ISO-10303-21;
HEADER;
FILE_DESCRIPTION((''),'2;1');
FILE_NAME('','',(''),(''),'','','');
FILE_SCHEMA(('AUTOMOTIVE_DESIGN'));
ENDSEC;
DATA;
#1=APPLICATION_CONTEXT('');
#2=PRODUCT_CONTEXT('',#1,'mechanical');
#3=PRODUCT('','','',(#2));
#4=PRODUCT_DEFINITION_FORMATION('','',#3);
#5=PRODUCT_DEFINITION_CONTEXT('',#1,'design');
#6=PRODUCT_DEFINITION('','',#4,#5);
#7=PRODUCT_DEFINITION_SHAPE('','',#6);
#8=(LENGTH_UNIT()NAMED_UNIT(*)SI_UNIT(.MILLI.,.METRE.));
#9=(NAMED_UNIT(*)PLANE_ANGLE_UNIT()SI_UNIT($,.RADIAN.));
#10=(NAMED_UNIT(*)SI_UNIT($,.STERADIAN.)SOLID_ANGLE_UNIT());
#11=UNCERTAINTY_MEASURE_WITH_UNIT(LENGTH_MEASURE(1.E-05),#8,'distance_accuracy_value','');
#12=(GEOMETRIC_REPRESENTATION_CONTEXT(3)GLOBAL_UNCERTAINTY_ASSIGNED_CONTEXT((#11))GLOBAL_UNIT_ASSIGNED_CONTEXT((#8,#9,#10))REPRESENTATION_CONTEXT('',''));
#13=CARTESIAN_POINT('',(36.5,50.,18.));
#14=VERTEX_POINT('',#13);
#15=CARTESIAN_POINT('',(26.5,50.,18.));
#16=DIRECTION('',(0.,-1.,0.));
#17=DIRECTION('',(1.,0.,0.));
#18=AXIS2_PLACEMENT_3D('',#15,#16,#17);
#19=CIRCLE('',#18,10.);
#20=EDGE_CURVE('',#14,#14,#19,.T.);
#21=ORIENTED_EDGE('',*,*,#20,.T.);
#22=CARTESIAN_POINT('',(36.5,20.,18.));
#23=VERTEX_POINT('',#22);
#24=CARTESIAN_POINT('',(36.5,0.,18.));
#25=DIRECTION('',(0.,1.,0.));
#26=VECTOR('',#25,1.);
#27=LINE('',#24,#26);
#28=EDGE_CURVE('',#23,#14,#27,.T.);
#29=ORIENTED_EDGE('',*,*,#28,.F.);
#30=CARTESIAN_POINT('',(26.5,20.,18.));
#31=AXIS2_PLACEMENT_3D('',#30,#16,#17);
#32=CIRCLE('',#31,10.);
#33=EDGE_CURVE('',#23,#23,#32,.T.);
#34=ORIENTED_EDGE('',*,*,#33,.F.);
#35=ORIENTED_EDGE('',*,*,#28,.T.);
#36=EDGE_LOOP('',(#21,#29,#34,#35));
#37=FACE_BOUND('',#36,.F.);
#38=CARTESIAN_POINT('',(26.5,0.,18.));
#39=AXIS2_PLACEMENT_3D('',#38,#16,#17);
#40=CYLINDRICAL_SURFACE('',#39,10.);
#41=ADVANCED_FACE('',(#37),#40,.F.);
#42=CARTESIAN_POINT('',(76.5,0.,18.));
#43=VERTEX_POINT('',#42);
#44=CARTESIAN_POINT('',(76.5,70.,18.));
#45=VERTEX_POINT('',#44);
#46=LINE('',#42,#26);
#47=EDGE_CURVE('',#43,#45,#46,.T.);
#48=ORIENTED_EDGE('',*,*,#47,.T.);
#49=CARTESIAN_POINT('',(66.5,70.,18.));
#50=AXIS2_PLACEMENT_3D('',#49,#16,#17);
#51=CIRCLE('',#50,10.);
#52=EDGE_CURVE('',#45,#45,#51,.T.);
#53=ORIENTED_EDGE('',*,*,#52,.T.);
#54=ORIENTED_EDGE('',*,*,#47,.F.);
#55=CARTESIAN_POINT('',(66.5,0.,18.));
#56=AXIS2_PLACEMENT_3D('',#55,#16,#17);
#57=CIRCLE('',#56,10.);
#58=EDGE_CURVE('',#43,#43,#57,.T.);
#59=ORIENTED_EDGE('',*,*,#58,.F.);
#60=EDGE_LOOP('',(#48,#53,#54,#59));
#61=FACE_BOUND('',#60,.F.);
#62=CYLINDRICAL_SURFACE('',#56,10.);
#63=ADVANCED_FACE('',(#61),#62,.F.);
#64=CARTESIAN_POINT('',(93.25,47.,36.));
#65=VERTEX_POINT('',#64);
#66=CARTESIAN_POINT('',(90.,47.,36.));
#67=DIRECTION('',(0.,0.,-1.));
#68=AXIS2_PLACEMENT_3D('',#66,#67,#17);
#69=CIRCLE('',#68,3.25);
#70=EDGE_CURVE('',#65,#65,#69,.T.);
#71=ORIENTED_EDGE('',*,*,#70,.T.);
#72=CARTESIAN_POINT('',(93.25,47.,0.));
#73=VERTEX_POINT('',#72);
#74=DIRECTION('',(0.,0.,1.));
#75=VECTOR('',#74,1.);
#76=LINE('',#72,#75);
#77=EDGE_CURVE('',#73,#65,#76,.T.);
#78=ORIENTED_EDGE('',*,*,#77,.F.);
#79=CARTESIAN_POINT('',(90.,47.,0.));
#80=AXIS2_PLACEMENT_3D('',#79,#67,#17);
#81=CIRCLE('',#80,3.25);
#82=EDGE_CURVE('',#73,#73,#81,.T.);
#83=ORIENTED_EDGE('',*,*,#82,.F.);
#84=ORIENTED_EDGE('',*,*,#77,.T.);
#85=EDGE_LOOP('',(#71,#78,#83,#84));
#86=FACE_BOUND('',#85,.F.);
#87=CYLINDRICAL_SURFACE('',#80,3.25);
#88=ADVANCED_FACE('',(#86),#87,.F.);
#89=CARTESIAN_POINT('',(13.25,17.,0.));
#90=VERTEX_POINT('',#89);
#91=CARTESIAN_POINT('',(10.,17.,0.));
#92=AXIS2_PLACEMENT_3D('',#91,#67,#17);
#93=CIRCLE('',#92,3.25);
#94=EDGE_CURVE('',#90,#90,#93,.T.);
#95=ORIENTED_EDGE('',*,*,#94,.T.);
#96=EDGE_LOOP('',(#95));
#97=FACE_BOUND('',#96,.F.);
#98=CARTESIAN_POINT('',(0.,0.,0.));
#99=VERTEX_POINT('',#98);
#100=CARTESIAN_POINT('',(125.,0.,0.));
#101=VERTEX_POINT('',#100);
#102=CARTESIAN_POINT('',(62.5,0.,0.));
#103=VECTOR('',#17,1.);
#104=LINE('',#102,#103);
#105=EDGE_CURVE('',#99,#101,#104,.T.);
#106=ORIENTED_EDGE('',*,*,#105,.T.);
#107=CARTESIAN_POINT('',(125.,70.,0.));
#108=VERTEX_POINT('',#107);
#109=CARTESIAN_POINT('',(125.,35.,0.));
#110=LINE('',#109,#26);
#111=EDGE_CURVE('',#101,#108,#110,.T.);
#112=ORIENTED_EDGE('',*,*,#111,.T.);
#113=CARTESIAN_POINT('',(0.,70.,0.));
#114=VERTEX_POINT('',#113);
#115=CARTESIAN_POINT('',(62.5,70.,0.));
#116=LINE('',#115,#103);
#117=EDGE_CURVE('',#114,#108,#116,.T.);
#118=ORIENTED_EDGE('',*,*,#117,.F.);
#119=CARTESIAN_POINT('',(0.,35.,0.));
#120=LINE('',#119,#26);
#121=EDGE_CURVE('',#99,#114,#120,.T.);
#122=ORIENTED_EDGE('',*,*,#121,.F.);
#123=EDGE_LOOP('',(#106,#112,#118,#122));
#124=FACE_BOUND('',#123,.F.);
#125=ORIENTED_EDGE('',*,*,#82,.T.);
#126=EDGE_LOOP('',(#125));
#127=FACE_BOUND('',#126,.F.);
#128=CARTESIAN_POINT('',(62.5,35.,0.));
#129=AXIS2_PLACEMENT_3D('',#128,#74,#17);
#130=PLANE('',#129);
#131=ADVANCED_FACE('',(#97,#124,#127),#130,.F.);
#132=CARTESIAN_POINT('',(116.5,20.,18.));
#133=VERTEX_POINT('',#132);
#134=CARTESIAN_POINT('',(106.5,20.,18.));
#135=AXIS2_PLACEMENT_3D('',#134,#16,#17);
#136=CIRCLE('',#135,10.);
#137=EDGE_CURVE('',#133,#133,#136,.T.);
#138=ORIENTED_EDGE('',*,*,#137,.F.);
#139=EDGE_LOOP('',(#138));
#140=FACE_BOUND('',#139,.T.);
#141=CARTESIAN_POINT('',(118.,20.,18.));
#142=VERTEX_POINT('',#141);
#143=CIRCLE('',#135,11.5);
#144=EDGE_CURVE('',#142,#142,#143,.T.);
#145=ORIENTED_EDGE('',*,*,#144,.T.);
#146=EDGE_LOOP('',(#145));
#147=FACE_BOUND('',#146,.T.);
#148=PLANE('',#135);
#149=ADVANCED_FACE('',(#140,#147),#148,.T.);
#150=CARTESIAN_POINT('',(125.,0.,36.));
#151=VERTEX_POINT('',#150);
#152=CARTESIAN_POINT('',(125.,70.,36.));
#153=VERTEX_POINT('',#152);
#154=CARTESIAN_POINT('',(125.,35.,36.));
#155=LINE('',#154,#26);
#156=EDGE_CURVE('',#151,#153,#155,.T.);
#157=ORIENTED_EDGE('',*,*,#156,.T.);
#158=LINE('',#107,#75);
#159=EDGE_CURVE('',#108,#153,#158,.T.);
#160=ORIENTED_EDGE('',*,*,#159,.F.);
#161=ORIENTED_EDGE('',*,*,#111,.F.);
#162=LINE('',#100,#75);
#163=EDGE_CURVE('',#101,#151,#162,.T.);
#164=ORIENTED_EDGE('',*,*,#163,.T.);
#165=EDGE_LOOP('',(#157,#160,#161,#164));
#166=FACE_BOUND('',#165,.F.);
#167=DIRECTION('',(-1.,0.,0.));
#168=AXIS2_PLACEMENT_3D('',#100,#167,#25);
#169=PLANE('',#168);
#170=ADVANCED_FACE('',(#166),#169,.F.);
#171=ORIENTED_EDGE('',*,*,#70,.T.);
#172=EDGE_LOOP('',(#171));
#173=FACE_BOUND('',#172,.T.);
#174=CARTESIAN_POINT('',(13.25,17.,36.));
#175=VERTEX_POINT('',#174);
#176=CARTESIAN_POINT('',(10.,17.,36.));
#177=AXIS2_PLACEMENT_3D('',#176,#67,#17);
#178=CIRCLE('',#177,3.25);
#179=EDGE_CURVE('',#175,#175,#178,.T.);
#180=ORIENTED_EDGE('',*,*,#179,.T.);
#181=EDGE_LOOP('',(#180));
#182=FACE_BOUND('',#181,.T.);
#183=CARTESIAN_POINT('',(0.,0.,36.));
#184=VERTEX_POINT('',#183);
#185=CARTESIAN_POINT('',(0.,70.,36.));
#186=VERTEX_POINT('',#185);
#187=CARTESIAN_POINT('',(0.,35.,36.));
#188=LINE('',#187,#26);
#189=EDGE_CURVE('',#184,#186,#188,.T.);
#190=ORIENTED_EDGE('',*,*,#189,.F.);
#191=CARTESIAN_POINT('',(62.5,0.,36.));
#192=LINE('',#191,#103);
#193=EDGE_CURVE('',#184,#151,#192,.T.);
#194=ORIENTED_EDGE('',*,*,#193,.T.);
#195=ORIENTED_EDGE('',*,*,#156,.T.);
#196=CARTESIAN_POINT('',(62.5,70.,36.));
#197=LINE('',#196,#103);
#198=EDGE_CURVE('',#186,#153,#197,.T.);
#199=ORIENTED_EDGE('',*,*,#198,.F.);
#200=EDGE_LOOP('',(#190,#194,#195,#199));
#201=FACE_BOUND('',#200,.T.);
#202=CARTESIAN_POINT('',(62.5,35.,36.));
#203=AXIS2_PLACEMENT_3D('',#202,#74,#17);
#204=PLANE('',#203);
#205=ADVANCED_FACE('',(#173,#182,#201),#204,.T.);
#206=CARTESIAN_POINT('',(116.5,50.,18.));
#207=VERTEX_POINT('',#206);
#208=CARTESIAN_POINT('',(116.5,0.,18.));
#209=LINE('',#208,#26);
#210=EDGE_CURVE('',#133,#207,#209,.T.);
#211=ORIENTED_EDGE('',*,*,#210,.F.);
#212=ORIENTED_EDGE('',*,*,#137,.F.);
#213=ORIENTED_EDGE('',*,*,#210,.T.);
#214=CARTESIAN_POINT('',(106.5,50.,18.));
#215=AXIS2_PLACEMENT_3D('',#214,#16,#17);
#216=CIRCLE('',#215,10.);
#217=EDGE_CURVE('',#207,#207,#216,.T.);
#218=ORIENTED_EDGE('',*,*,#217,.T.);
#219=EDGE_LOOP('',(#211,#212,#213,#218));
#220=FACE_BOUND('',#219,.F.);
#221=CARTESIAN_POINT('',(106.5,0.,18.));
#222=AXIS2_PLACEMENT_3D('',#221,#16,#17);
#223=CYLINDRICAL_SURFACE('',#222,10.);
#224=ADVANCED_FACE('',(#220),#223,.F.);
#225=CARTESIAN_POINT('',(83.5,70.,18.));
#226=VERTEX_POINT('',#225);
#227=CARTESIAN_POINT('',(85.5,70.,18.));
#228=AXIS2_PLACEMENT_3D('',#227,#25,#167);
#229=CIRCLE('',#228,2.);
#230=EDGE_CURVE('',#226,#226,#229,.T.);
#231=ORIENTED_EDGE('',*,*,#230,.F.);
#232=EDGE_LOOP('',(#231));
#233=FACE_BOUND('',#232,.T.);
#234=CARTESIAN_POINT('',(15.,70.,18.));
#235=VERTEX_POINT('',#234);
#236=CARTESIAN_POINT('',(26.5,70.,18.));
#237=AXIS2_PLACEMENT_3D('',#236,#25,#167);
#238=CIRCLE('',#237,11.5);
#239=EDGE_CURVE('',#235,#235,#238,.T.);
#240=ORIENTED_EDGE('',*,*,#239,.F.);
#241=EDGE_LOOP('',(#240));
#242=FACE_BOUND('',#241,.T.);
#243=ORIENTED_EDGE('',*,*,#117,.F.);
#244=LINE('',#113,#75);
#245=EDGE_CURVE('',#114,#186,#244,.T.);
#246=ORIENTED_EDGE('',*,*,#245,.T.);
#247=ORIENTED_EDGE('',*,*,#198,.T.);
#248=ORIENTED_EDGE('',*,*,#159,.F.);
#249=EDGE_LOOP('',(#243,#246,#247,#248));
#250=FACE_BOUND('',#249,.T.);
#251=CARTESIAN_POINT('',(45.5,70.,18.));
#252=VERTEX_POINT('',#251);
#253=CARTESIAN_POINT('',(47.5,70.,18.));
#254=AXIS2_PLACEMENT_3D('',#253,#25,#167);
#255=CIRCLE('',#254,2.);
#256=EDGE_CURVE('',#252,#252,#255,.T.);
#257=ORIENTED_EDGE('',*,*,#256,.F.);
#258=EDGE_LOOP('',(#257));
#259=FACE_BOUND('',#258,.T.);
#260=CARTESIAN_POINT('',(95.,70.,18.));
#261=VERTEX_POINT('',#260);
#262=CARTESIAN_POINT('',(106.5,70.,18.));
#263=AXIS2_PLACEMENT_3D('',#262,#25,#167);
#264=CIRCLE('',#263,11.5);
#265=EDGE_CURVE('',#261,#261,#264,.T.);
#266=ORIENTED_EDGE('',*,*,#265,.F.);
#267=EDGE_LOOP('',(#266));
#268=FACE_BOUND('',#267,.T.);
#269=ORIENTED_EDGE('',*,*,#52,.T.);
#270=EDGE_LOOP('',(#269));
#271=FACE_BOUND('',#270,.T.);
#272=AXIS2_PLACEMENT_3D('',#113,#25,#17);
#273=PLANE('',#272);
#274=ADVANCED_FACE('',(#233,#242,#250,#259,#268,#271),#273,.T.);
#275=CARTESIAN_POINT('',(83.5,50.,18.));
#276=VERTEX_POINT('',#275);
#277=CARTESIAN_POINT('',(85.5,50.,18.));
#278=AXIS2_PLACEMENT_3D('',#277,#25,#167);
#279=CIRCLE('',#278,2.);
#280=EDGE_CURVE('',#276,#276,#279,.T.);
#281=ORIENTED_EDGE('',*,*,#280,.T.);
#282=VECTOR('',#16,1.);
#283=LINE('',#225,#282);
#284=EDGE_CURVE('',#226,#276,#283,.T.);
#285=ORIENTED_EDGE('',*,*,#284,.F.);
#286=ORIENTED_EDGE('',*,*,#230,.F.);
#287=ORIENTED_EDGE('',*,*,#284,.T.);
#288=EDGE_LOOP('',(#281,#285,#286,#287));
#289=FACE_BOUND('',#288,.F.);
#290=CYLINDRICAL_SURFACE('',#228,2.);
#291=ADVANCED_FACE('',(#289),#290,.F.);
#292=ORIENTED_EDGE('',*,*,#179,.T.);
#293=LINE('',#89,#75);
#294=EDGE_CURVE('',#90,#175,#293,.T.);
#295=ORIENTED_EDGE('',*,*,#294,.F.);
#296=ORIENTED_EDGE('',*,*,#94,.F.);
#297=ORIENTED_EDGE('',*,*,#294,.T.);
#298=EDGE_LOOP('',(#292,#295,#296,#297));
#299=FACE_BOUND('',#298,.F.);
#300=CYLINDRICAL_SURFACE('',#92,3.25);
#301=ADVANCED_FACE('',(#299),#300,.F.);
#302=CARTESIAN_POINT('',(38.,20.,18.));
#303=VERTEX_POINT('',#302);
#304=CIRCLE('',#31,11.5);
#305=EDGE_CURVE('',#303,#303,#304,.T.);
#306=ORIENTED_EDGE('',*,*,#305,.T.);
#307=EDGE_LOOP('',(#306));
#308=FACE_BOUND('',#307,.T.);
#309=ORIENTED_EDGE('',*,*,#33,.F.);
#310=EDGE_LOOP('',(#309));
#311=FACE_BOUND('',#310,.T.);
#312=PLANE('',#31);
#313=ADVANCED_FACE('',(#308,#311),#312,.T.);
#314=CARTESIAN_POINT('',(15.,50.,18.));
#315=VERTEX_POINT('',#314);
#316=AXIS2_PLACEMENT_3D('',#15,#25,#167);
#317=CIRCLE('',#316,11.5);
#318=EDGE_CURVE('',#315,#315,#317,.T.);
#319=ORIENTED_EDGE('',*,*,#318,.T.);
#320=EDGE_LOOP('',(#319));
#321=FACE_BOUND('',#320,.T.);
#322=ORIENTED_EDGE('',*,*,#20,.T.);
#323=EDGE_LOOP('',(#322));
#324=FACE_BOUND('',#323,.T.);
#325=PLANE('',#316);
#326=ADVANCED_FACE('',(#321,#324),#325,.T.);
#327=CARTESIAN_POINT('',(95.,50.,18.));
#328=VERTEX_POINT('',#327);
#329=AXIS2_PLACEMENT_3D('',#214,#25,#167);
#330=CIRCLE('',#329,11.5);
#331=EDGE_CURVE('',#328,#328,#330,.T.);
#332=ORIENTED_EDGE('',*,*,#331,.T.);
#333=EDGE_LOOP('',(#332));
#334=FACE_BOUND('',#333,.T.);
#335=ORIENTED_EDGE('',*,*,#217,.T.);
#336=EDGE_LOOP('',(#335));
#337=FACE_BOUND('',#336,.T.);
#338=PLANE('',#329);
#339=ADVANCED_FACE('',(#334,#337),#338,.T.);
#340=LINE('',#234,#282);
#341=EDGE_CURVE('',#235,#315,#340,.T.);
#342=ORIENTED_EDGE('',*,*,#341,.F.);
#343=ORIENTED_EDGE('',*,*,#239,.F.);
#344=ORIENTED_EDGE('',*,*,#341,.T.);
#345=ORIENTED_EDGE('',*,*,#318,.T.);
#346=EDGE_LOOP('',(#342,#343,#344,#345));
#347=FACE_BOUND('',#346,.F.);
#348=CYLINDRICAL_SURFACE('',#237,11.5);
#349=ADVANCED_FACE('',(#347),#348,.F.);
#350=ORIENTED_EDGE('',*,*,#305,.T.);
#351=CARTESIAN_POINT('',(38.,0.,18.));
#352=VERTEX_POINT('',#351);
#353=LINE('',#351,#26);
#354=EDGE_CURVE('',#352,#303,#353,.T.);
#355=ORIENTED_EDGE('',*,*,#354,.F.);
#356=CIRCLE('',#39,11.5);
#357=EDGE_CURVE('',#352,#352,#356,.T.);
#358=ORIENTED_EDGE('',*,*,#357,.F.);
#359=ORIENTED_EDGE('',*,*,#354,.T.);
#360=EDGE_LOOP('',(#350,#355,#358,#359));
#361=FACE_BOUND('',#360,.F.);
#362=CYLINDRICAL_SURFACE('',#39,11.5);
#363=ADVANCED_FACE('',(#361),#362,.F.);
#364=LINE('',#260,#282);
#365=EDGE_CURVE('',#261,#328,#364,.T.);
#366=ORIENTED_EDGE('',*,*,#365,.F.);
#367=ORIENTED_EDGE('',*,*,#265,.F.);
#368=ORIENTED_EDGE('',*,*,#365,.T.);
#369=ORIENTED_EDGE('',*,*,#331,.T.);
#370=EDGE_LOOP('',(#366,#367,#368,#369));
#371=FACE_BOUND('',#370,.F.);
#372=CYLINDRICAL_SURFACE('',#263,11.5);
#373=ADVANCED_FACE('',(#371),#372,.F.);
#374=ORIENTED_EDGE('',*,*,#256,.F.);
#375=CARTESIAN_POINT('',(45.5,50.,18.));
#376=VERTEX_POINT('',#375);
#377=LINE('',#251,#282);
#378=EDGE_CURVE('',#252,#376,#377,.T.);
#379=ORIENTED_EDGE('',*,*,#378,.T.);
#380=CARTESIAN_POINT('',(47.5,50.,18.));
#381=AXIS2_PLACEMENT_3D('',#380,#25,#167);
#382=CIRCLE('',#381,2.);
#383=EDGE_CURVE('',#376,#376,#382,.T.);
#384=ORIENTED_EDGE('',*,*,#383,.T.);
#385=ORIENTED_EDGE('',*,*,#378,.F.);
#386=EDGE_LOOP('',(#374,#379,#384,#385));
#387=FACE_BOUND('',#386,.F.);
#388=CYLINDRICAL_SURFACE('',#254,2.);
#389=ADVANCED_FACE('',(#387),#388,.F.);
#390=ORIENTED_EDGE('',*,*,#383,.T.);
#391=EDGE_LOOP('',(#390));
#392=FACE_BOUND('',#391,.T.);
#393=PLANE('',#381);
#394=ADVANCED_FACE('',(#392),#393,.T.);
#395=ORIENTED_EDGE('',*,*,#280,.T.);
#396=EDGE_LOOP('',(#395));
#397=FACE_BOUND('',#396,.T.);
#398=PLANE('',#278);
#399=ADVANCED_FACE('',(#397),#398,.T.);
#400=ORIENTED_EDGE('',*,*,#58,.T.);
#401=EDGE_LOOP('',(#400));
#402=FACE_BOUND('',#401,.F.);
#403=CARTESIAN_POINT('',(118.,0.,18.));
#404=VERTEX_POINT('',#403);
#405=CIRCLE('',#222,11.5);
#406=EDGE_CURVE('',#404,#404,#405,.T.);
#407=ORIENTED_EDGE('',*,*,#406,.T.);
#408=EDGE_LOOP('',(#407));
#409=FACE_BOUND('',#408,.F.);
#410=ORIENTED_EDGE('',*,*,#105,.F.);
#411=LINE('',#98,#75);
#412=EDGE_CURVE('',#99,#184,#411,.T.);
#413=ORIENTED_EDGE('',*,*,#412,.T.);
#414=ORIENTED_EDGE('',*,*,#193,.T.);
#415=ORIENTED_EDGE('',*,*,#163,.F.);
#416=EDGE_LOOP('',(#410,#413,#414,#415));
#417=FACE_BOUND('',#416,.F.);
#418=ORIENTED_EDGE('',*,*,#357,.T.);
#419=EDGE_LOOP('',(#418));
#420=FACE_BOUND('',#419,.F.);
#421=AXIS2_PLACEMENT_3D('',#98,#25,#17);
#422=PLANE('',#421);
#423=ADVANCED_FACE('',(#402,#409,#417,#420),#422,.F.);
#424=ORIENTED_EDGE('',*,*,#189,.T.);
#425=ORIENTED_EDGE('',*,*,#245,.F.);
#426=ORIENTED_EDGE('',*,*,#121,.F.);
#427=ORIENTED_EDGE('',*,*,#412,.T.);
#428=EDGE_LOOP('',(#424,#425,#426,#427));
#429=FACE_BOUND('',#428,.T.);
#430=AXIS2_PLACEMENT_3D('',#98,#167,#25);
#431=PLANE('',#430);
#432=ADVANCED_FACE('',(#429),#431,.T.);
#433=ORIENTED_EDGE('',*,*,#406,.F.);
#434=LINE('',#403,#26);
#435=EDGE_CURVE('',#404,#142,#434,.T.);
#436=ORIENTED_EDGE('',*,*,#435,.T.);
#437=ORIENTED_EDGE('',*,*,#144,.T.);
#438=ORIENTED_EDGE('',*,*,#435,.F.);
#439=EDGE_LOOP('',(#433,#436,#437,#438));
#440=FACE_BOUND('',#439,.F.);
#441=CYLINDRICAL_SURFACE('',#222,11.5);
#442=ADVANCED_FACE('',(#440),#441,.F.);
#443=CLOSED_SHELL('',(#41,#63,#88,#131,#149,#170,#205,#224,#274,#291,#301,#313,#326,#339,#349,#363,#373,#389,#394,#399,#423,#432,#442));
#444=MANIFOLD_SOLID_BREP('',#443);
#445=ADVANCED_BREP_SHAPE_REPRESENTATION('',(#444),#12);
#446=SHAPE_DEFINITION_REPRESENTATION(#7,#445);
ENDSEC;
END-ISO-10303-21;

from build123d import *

# Parameters (mm, degrees)
F0_W      = 125
F0_H      = 70
F1_DEPTH  = 36
F2_R      = 10
F3_DEPTH  = 70.001
F4_R      = 11.5
F5_DEPTH  = 20
F6_R      = 11.5
F7_DEPTH  = 20
F8_R      = 3.25
F9_DEPTH  = 36.001
F10_R     = 2
F11_DEPTH = 20


with BuildPart() as f1:
    # F0 (on Top) → F1 (new body)
    with BuildSketch(Plane.XY):
        with Locations((62.5, 35)):
            Rectangle(F0_W, F0_H)
    extrude(amount=F1_DEPTH)

    # F2 (on face) → F3 (cut, through all)
    with BuildSketch(Plane.XZ):
        with Locations((26.5, 18)):
            Circle(F2_R)
        with Locations((66.5, 18)):
            Circle(F2_R)
        with Locations((106.5, 18)):
            Circle(F2_R)
    extrude(amount=-F3_DEPTH, mode=Mode.SUBTRACT)

    # F4 (on face) → F5 (cut)
    with BuildSketch(Plane.XZ):
        with Locations((26.5, 18)):
            Circle(F4_R)
        with Locations((106.5, 18)):
            Circle(F4_R)
    extrude(amount=-F5_DEPTH, mode=Mode.SUBTRACT)

    # F6 (on face) → F7 (cut)
    with BuildSketch(Plane(origin=(0, 70, 0), x_dir=(-1, 0, 0), z_dir=(0, 1, 0))):
        with Locations((-106.5, 18)):
            Circle(F6_R)
        with Locations((-26.5, 18)):
            Circle(F6_R)
    extrude(amount=-F7_DEPTH, mode=Mode.SUBTRACT)

    # F8 (on face) → F9 (cut, through all)
    with BuildSketch(Plane(origin=(0, 0, 0), x_dir=(1, 0, 0), z_dir=(0, 0, -1))):
        with Locations((10, -17)):
            Circle(F8_R)
        with Locations((90, -47)):
            Circle(F8_R)
    extrude(amount=-F9_DEPTH, mode=Mode.SUBTRACT)

    # F10 (on face) → F11 (cut)
    with BuildSketch(Plane(origin=(0, 70, 0), x_dir=(-1, 0, 0), z_dir=(0, 1, 0))):
        with Locations((-85.5, 18)):
            Circle(F10_R)
        with Locations((-47.5, 18)):
            Circle(F10_R)
    extrude(amount=-F11_DEPTH, mode=Mode.SUBTRACT)


solid = f1.part
